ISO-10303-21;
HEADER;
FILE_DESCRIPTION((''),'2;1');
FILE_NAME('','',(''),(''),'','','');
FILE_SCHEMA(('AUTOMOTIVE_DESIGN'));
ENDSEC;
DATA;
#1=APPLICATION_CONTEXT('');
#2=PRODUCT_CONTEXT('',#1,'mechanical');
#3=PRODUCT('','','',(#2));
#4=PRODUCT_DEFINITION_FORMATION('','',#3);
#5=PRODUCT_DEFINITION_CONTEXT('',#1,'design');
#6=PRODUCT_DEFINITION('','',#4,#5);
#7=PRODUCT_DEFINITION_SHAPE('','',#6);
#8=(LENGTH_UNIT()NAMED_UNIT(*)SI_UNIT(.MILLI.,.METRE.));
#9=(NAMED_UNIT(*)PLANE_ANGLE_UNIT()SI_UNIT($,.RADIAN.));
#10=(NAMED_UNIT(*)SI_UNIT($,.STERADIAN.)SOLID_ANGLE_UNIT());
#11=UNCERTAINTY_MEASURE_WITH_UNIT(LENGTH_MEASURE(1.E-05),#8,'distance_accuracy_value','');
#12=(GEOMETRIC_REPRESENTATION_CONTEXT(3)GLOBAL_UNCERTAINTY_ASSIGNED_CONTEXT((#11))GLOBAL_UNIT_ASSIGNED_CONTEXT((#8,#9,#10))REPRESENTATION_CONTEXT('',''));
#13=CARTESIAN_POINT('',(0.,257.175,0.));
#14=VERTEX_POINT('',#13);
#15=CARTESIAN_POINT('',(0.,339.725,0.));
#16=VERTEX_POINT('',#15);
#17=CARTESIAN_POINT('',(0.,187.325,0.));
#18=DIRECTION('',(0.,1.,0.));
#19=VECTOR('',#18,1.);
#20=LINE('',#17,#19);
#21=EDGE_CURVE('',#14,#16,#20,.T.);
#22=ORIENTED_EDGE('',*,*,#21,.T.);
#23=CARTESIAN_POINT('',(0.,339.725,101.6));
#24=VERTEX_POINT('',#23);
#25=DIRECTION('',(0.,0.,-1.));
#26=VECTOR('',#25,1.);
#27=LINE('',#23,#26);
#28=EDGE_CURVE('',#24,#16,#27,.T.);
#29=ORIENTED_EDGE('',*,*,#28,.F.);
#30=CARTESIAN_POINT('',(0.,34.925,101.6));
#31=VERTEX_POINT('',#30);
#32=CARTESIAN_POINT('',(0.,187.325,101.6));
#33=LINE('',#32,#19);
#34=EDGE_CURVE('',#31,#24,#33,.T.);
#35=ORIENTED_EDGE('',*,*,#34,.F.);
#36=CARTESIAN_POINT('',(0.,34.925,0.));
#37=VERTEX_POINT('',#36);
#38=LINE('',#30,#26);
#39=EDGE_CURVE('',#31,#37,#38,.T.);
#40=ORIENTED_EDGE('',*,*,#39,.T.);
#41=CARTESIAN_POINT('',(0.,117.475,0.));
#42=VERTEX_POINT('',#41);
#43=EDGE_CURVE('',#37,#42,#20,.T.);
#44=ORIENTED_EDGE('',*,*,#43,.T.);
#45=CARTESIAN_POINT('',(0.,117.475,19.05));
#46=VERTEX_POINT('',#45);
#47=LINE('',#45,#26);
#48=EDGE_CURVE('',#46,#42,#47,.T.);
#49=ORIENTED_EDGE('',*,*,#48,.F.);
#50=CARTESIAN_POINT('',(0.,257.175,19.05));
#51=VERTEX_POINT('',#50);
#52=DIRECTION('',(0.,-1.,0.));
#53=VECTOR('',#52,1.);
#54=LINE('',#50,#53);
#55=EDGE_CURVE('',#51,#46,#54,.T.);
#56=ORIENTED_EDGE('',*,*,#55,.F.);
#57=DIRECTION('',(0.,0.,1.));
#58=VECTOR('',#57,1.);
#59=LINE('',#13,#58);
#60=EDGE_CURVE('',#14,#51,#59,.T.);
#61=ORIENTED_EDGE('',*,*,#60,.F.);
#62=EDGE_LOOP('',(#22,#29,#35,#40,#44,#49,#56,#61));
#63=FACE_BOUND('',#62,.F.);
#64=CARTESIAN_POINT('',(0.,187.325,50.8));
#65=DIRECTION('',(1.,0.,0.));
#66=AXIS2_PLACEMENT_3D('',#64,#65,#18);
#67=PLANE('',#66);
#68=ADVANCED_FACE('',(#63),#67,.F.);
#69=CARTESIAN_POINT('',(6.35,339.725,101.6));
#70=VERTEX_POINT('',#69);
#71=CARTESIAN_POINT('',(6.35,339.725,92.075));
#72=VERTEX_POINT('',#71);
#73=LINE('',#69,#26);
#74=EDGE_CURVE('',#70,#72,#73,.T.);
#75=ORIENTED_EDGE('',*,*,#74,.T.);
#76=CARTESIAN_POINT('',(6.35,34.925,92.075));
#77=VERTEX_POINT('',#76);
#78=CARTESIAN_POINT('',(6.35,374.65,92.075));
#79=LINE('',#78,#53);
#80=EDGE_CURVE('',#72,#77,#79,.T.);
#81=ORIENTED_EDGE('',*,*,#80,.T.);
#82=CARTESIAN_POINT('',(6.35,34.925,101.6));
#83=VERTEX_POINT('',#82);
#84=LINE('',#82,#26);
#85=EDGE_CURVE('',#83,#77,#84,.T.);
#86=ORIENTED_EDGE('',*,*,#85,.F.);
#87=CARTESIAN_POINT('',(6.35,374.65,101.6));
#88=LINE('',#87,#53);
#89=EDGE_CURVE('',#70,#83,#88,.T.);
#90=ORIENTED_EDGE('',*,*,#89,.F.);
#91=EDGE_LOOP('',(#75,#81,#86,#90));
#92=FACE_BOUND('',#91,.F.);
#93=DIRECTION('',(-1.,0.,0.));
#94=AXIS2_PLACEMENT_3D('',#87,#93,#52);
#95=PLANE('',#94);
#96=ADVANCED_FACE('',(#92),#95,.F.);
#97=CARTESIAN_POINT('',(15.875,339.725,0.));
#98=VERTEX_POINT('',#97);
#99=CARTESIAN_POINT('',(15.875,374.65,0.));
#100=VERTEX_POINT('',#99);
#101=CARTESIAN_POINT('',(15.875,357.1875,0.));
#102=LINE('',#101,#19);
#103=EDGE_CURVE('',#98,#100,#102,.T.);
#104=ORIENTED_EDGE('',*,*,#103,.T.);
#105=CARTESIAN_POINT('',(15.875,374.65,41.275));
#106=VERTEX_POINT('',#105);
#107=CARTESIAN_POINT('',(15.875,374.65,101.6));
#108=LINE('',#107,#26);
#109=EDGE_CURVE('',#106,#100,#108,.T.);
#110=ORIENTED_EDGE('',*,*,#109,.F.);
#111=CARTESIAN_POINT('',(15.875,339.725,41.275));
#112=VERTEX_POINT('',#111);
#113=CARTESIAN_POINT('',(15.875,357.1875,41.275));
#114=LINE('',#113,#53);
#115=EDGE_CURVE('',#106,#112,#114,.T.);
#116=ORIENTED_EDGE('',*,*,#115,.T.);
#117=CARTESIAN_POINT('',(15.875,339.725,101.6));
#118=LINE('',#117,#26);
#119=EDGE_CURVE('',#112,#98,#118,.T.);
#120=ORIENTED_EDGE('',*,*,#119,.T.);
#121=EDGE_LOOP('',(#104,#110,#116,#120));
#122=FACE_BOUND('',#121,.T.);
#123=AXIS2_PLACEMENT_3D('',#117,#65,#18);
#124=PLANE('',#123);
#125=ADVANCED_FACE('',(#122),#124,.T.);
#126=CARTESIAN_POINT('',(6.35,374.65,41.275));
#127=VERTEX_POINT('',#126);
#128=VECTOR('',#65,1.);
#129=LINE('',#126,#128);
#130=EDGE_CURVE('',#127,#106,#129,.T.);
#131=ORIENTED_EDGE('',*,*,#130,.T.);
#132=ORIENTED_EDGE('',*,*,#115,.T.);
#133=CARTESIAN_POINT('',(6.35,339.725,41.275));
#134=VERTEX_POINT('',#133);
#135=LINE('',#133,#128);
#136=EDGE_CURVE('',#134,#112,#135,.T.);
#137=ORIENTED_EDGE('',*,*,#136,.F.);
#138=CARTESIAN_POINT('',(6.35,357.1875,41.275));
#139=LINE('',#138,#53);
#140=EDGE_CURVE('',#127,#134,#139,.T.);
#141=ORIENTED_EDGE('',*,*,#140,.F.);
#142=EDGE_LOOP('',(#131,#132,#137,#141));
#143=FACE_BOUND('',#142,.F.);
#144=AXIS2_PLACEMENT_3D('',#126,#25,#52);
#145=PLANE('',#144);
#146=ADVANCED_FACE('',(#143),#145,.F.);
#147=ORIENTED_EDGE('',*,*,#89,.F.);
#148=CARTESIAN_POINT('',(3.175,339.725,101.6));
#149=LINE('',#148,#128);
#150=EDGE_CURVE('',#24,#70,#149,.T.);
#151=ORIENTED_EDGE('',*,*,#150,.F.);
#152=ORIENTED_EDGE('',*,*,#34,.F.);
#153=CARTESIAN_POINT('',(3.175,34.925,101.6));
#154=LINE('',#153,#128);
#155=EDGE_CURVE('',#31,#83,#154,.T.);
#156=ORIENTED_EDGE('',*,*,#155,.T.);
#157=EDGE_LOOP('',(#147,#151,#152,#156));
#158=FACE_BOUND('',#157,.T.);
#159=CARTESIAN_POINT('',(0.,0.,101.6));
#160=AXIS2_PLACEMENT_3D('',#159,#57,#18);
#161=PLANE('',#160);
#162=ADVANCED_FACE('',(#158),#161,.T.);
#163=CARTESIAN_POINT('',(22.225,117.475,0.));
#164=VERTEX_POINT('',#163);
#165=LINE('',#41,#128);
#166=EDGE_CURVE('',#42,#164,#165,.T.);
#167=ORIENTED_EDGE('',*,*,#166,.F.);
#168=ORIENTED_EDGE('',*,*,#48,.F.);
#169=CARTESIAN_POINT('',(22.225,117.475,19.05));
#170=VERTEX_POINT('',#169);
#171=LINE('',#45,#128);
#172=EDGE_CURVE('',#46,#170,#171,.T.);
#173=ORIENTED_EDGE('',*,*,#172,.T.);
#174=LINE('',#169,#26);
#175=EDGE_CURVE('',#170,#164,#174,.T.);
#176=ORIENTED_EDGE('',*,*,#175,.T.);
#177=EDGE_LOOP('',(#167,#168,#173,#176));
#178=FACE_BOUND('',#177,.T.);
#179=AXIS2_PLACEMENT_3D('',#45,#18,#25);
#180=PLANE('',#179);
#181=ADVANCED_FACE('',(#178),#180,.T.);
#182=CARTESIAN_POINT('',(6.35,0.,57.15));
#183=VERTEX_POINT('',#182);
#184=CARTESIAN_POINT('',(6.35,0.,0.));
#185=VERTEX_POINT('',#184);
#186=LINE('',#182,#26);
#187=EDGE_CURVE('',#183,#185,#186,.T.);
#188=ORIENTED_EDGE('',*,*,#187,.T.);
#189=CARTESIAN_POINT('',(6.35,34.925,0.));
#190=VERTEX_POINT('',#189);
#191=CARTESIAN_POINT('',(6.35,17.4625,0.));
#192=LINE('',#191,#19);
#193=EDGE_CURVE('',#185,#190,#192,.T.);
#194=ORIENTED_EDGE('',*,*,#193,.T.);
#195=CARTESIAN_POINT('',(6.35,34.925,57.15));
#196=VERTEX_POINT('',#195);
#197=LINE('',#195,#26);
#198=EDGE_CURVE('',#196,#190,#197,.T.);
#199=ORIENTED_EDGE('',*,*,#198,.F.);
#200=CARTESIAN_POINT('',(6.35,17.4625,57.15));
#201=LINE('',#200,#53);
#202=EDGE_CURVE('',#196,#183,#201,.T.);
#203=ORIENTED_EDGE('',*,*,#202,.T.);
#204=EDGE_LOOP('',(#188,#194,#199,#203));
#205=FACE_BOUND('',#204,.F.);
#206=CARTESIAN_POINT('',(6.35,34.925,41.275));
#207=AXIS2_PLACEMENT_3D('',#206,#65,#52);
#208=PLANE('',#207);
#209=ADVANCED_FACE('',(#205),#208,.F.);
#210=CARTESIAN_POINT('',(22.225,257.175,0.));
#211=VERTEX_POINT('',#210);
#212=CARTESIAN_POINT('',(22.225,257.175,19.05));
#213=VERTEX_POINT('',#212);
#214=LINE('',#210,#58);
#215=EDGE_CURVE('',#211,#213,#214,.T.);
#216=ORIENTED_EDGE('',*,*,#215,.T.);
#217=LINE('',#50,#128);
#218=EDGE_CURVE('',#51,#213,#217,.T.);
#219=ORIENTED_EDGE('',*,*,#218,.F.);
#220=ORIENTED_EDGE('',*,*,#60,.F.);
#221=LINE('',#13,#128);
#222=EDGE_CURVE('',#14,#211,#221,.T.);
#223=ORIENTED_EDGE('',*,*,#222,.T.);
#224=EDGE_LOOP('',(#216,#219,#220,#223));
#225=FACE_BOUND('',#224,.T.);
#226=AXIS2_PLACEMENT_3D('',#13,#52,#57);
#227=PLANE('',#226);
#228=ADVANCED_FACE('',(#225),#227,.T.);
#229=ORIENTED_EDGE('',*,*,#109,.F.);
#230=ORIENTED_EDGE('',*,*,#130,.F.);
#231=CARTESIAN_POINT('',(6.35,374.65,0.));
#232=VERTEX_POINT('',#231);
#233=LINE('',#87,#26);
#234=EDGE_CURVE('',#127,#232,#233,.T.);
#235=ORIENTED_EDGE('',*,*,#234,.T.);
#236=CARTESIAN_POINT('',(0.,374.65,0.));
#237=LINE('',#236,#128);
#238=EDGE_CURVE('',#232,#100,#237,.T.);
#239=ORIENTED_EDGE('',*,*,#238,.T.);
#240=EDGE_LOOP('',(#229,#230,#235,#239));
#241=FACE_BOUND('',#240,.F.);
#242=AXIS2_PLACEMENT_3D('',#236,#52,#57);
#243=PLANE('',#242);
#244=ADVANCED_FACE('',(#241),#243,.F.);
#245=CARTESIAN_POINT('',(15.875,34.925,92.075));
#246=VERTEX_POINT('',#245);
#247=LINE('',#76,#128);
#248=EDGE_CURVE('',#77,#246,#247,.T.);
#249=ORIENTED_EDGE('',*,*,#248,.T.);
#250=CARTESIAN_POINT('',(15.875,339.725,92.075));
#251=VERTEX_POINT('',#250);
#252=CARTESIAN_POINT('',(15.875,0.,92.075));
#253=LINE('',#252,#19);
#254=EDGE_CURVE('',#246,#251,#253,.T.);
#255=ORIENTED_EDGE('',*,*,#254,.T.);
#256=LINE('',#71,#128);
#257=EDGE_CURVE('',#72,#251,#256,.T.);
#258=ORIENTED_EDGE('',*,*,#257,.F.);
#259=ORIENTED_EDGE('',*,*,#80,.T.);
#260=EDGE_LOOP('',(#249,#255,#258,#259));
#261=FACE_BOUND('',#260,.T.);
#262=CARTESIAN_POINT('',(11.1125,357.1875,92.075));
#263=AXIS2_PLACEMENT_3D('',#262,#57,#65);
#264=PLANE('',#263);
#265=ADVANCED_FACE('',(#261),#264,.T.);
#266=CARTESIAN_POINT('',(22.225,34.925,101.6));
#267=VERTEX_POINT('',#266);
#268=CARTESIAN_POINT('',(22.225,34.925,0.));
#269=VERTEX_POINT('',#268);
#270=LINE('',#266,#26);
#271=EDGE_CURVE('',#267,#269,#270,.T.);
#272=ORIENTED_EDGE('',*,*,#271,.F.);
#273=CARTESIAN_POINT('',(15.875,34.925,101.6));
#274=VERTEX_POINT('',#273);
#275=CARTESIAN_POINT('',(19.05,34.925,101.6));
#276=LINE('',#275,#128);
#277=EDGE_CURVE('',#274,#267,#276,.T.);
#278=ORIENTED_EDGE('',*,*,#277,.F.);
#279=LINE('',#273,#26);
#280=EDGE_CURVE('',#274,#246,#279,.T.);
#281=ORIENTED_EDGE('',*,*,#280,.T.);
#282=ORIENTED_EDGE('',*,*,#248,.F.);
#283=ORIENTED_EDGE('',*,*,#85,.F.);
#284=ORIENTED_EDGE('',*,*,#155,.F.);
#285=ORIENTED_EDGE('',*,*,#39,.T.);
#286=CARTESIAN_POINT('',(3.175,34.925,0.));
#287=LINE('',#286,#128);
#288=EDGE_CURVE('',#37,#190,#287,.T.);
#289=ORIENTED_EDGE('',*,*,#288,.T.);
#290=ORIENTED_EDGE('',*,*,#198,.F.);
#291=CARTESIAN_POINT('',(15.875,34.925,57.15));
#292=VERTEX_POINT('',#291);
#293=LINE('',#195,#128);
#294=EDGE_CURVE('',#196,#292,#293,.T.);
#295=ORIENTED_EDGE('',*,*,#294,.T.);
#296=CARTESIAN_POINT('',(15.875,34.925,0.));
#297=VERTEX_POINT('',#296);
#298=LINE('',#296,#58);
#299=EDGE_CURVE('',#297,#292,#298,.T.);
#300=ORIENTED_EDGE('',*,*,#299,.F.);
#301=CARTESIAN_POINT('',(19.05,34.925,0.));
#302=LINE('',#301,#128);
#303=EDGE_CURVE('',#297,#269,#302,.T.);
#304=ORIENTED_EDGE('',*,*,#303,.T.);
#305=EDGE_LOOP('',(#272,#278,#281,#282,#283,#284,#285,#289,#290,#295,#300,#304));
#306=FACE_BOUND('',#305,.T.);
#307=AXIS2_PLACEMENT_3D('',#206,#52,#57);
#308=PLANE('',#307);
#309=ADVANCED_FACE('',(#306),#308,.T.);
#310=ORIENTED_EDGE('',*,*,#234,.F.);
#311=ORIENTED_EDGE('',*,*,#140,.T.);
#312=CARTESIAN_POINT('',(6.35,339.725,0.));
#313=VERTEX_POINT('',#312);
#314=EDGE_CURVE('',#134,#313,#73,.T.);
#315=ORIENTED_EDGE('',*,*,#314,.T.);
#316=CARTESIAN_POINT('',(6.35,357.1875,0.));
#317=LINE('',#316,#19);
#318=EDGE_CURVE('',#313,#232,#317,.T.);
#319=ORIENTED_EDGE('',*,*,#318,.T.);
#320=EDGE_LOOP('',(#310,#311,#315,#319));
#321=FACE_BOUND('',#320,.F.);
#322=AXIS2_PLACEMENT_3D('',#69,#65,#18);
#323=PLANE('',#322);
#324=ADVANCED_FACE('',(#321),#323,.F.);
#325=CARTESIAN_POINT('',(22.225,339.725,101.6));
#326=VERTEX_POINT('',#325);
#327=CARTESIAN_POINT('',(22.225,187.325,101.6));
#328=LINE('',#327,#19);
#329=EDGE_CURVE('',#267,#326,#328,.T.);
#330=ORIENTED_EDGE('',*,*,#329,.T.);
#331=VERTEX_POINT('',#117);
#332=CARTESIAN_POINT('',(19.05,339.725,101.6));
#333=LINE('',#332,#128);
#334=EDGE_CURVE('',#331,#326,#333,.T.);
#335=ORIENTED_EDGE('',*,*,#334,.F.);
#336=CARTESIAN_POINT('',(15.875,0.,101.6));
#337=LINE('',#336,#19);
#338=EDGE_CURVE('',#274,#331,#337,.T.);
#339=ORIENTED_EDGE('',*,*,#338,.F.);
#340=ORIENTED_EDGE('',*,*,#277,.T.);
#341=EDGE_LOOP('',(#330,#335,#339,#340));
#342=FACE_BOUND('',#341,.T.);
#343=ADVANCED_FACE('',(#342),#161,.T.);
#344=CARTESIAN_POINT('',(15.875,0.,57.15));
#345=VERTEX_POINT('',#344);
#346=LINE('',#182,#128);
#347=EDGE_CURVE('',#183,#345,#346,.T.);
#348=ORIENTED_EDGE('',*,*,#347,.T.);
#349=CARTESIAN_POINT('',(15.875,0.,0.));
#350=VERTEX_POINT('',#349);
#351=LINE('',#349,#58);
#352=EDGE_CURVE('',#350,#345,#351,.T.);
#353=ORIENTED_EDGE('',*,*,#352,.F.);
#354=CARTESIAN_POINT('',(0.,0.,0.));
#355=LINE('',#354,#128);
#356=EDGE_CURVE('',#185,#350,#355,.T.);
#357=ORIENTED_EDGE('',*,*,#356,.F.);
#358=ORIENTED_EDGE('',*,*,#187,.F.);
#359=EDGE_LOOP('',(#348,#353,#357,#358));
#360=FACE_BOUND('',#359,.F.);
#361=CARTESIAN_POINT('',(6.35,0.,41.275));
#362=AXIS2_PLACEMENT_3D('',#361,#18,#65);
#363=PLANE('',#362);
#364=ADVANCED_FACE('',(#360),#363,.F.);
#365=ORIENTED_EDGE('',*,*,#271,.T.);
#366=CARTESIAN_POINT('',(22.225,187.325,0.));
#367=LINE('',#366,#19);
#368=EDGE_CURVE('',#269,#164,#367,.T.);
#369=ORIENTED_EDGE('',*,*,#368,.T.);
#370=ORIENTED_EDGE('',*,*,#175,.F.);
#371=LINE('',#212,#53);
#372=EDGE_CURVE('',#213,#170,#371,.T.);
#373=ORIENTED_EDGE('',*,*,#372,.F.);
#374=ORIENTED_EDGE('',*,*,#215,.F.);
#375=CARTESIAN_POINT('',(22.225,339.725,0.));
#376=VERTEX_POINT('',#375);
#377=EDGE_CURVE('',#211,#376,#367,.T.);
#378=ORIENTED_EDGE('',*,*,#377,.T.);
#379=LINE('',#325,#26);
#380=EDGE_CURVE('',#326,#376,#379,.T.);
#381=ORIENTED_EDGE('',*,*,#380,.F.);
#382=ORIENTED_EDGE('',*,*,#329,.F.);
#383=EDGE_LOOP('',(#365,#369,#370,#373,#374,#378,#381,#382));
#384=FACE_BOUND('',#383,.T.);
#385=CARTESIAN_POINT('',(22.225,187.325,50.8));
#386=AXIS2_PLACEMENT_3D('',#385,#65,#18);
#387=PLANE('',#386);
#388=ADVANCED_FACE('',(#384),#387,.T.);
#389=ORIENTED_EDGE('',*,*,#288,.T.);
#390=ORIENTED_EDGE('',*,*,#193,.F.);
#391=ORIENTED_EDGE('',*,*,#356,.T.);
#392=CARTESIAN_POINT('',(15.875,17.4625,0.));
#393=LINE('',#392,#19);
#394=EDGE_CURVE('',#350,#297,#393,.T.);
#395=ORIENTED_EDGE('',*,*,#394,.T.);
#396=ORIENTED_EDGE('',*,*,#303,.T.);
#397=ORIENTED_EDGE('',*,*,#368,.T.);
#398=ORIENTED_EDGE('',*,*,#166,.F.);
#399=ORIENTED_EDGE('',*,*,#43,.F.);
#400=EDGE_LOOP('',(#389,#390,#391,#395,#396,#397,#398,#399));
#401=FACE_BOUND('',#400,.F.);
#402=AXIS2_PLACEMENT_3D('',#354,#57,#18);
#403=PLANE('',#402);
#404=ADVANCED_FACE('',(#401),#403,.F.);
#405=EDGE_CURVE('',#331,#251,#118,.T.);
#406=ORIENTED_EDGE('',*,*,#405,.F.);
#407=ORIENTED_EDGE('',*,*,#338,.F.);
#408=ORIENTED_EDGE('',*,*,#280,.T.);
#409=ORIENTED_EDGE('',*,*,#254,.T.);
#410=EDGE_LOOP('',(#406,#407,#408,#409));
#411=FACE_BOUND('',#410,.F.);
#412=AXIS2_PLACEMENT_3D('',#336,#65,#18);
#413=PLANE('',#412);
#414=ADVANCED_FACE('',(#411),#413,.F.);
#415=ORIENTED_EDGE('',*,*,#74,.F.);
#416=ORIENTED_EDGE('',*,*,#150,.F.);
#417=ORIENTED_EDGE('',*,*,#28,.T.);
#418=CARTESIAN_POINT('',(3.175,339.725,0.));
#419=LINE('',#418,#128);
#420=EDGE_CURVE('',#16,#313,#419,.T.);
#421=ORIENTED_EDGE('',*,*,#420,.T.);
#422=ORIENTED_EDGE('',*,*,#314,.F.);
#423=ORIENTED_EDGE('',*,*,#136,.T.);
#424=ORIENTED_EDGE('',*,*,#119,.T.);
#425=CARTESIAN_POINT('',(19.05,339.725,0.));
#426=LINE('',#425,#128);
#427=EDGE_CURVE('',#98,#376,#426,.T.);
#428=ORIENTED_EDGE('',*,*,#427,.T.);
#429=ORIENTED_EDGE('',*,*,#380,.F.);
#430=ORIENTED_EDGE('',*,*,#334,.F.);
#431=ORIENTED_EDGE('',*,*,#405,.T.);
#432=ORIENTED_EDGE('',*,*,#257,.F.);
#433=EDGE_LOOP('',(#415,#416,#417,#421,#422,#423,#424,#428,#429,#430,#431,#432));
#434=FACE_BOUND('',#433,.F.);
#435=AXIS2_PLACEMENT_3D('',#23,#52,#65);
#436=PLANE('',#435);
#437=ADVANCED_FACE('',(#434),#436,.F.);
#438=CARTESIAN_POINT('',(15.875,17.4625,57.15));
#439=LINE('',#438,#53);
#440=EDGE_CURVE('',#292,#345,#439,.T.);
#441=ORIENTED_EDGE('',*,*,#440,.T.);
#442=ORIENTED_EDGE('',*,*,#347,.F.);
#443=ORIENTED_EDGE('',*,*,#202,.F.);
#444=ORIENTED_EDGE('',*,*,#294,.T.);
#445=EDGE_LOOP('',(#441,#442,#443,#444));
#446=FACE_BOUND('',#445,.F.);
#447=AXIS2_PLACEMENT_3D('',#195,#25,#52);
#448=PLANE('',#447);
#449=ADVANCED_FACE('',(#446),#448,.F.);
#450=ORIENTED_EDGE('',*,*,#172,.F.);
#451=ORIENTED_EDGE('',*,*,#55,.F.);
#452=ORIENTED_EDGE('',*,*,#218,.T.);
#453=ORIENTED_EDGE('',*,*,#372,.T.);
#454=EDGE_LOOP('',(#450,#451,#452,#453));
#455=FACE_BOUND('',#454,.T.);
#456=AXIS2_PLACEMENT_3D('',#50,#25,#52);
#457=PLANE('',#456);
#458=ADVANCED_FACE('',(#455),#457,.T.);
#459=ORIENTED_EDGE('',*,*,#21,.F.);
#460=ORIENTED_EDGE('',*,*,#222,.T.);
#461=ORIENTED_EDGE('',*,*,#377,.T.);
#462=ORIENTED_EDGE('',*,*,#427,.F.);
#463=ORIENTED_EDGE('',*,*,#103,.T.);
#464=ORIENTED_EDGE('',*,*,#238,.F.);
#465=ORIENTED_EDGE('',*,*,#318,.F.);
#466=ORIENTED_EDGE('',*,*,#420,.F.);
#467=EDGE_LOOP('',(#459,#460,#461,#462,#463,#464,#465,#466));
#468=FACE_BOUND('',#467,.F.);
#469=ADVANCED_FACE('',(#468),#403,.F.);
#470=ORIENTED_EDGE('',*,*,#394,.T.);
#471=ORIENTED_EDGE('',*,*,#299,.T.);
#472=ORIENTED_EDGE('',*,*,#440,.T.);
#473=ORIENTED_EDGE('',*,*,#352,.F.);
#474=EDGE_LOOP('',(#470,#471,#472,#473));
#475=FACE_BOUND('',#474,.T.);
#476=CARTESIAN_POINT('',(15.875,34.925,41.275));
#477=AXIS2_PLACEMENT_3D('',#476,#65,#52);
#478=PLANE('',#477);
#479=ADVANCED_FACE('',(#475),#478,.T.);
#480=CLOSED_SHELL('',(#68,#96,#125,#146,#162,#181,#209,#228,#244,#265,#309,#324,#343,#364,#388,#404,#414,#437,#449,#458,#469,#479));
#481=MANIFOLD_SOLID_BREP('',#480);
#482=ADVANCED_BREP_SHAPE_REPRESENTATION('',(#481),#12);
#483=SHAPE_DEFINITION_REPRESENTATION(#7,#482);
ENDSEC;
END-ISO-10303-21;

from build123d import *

# Parameters (mm, degrees)
F0_W     = 374.65
F0_H     = 101.6
F1_DEPTH = 22.225
F2_W     = 9.525
F2_H     = 34.925
F2_H_2   = 304.8
F3_DEPTH = 9.525
F2_W_2   = 6.35
F4_DEPTH = 101.6
F5_W     = 34.925
F5_H     = 50.8
F6_DEPTH = 9.525
F8_DEPTH = 22.225
F9_DEPTH = 15.875


with BuildPart() as f1:
    # F0 (on Right) → F1 (new body)
    with BuildSketch(Plane.YZ):
        with Locations((187.325, 50.8)):
            Rectangle(F0_W, F0_H)
    extrude(amount=F1_DEPTH)

    # F2 (on face) → F3 (cut)
    with BuildSketch(Plane.XY.offset(101.6)):
        with Locations((11.1125, 357.1875)):
            Rectangle(F2_W, F2_H)
        with Locations((11.1125, 187.325)):
            Rectangle(F2_W, F2_H_2)
        with Locations((11.1125, 17.4625)):
            Rectangle(F2_W, F2_H)
    extrude(amount=-F3_DEPTH, mode=Mode.SUBTRACT)

    # F2 (on face) → F4 (cut, through all)
    with BuildSketch(Plane.XY.offset(101.6)):
        with Locations((19.05, 357.1875)):
            Rectangle(F2_W_2, F2_H)
        with Locations((3.175, 357.1875)):
            Rectangle(F2_W_2, F2_H)
        with Locations((3.175, 17.4625)):
            Rectangle(F2_W_2, F2_H)
        with Locations((19.05, 17.4625)):
            Rectangle(F2_W_2, F2_H)
    extrude(amount=-F4_DEPTH, mode=Mode.SUBTRACT)

    # F5 (on face) → F6 (cut, through all)
    with BuildSketch(Plane(origin=(6.35, 0, 0), x_dir=(0, -1, 0), z_dir=(-1, 0, 0))):
        with Locations((-357.1875, 66.675)):
            Rectangle(F5_W, F5_H)
        with Locations((-17.4625, 66.675)):
            Rectangle(F5_W, F5_H)
    extrude(amount=-F6_DEPTH, mode=Mode.SUBTRACT)

    # F7 (on Right) → F8 (cut, through all)
    with BuildSketch(Plane.YZ):
        Polygon((257.175, 0), (257.175, 19.05), (212.725, 19.05), (161.925, 19.05), (117.475, 19.05), (117.475, 0), align=None)
    extrude(amount=F8_DEPTH, mode=Mode.SUBTRACT)

    # F9 (add): a face of the model
    f9_faces = [f1.faces().sort_by_distance(p)[0] for p in [
        (11.1125, 17.4625, 41.275),
    ]]
    extrude(f9_faces, amount=F9_DEPTH)


solid = f1.part
